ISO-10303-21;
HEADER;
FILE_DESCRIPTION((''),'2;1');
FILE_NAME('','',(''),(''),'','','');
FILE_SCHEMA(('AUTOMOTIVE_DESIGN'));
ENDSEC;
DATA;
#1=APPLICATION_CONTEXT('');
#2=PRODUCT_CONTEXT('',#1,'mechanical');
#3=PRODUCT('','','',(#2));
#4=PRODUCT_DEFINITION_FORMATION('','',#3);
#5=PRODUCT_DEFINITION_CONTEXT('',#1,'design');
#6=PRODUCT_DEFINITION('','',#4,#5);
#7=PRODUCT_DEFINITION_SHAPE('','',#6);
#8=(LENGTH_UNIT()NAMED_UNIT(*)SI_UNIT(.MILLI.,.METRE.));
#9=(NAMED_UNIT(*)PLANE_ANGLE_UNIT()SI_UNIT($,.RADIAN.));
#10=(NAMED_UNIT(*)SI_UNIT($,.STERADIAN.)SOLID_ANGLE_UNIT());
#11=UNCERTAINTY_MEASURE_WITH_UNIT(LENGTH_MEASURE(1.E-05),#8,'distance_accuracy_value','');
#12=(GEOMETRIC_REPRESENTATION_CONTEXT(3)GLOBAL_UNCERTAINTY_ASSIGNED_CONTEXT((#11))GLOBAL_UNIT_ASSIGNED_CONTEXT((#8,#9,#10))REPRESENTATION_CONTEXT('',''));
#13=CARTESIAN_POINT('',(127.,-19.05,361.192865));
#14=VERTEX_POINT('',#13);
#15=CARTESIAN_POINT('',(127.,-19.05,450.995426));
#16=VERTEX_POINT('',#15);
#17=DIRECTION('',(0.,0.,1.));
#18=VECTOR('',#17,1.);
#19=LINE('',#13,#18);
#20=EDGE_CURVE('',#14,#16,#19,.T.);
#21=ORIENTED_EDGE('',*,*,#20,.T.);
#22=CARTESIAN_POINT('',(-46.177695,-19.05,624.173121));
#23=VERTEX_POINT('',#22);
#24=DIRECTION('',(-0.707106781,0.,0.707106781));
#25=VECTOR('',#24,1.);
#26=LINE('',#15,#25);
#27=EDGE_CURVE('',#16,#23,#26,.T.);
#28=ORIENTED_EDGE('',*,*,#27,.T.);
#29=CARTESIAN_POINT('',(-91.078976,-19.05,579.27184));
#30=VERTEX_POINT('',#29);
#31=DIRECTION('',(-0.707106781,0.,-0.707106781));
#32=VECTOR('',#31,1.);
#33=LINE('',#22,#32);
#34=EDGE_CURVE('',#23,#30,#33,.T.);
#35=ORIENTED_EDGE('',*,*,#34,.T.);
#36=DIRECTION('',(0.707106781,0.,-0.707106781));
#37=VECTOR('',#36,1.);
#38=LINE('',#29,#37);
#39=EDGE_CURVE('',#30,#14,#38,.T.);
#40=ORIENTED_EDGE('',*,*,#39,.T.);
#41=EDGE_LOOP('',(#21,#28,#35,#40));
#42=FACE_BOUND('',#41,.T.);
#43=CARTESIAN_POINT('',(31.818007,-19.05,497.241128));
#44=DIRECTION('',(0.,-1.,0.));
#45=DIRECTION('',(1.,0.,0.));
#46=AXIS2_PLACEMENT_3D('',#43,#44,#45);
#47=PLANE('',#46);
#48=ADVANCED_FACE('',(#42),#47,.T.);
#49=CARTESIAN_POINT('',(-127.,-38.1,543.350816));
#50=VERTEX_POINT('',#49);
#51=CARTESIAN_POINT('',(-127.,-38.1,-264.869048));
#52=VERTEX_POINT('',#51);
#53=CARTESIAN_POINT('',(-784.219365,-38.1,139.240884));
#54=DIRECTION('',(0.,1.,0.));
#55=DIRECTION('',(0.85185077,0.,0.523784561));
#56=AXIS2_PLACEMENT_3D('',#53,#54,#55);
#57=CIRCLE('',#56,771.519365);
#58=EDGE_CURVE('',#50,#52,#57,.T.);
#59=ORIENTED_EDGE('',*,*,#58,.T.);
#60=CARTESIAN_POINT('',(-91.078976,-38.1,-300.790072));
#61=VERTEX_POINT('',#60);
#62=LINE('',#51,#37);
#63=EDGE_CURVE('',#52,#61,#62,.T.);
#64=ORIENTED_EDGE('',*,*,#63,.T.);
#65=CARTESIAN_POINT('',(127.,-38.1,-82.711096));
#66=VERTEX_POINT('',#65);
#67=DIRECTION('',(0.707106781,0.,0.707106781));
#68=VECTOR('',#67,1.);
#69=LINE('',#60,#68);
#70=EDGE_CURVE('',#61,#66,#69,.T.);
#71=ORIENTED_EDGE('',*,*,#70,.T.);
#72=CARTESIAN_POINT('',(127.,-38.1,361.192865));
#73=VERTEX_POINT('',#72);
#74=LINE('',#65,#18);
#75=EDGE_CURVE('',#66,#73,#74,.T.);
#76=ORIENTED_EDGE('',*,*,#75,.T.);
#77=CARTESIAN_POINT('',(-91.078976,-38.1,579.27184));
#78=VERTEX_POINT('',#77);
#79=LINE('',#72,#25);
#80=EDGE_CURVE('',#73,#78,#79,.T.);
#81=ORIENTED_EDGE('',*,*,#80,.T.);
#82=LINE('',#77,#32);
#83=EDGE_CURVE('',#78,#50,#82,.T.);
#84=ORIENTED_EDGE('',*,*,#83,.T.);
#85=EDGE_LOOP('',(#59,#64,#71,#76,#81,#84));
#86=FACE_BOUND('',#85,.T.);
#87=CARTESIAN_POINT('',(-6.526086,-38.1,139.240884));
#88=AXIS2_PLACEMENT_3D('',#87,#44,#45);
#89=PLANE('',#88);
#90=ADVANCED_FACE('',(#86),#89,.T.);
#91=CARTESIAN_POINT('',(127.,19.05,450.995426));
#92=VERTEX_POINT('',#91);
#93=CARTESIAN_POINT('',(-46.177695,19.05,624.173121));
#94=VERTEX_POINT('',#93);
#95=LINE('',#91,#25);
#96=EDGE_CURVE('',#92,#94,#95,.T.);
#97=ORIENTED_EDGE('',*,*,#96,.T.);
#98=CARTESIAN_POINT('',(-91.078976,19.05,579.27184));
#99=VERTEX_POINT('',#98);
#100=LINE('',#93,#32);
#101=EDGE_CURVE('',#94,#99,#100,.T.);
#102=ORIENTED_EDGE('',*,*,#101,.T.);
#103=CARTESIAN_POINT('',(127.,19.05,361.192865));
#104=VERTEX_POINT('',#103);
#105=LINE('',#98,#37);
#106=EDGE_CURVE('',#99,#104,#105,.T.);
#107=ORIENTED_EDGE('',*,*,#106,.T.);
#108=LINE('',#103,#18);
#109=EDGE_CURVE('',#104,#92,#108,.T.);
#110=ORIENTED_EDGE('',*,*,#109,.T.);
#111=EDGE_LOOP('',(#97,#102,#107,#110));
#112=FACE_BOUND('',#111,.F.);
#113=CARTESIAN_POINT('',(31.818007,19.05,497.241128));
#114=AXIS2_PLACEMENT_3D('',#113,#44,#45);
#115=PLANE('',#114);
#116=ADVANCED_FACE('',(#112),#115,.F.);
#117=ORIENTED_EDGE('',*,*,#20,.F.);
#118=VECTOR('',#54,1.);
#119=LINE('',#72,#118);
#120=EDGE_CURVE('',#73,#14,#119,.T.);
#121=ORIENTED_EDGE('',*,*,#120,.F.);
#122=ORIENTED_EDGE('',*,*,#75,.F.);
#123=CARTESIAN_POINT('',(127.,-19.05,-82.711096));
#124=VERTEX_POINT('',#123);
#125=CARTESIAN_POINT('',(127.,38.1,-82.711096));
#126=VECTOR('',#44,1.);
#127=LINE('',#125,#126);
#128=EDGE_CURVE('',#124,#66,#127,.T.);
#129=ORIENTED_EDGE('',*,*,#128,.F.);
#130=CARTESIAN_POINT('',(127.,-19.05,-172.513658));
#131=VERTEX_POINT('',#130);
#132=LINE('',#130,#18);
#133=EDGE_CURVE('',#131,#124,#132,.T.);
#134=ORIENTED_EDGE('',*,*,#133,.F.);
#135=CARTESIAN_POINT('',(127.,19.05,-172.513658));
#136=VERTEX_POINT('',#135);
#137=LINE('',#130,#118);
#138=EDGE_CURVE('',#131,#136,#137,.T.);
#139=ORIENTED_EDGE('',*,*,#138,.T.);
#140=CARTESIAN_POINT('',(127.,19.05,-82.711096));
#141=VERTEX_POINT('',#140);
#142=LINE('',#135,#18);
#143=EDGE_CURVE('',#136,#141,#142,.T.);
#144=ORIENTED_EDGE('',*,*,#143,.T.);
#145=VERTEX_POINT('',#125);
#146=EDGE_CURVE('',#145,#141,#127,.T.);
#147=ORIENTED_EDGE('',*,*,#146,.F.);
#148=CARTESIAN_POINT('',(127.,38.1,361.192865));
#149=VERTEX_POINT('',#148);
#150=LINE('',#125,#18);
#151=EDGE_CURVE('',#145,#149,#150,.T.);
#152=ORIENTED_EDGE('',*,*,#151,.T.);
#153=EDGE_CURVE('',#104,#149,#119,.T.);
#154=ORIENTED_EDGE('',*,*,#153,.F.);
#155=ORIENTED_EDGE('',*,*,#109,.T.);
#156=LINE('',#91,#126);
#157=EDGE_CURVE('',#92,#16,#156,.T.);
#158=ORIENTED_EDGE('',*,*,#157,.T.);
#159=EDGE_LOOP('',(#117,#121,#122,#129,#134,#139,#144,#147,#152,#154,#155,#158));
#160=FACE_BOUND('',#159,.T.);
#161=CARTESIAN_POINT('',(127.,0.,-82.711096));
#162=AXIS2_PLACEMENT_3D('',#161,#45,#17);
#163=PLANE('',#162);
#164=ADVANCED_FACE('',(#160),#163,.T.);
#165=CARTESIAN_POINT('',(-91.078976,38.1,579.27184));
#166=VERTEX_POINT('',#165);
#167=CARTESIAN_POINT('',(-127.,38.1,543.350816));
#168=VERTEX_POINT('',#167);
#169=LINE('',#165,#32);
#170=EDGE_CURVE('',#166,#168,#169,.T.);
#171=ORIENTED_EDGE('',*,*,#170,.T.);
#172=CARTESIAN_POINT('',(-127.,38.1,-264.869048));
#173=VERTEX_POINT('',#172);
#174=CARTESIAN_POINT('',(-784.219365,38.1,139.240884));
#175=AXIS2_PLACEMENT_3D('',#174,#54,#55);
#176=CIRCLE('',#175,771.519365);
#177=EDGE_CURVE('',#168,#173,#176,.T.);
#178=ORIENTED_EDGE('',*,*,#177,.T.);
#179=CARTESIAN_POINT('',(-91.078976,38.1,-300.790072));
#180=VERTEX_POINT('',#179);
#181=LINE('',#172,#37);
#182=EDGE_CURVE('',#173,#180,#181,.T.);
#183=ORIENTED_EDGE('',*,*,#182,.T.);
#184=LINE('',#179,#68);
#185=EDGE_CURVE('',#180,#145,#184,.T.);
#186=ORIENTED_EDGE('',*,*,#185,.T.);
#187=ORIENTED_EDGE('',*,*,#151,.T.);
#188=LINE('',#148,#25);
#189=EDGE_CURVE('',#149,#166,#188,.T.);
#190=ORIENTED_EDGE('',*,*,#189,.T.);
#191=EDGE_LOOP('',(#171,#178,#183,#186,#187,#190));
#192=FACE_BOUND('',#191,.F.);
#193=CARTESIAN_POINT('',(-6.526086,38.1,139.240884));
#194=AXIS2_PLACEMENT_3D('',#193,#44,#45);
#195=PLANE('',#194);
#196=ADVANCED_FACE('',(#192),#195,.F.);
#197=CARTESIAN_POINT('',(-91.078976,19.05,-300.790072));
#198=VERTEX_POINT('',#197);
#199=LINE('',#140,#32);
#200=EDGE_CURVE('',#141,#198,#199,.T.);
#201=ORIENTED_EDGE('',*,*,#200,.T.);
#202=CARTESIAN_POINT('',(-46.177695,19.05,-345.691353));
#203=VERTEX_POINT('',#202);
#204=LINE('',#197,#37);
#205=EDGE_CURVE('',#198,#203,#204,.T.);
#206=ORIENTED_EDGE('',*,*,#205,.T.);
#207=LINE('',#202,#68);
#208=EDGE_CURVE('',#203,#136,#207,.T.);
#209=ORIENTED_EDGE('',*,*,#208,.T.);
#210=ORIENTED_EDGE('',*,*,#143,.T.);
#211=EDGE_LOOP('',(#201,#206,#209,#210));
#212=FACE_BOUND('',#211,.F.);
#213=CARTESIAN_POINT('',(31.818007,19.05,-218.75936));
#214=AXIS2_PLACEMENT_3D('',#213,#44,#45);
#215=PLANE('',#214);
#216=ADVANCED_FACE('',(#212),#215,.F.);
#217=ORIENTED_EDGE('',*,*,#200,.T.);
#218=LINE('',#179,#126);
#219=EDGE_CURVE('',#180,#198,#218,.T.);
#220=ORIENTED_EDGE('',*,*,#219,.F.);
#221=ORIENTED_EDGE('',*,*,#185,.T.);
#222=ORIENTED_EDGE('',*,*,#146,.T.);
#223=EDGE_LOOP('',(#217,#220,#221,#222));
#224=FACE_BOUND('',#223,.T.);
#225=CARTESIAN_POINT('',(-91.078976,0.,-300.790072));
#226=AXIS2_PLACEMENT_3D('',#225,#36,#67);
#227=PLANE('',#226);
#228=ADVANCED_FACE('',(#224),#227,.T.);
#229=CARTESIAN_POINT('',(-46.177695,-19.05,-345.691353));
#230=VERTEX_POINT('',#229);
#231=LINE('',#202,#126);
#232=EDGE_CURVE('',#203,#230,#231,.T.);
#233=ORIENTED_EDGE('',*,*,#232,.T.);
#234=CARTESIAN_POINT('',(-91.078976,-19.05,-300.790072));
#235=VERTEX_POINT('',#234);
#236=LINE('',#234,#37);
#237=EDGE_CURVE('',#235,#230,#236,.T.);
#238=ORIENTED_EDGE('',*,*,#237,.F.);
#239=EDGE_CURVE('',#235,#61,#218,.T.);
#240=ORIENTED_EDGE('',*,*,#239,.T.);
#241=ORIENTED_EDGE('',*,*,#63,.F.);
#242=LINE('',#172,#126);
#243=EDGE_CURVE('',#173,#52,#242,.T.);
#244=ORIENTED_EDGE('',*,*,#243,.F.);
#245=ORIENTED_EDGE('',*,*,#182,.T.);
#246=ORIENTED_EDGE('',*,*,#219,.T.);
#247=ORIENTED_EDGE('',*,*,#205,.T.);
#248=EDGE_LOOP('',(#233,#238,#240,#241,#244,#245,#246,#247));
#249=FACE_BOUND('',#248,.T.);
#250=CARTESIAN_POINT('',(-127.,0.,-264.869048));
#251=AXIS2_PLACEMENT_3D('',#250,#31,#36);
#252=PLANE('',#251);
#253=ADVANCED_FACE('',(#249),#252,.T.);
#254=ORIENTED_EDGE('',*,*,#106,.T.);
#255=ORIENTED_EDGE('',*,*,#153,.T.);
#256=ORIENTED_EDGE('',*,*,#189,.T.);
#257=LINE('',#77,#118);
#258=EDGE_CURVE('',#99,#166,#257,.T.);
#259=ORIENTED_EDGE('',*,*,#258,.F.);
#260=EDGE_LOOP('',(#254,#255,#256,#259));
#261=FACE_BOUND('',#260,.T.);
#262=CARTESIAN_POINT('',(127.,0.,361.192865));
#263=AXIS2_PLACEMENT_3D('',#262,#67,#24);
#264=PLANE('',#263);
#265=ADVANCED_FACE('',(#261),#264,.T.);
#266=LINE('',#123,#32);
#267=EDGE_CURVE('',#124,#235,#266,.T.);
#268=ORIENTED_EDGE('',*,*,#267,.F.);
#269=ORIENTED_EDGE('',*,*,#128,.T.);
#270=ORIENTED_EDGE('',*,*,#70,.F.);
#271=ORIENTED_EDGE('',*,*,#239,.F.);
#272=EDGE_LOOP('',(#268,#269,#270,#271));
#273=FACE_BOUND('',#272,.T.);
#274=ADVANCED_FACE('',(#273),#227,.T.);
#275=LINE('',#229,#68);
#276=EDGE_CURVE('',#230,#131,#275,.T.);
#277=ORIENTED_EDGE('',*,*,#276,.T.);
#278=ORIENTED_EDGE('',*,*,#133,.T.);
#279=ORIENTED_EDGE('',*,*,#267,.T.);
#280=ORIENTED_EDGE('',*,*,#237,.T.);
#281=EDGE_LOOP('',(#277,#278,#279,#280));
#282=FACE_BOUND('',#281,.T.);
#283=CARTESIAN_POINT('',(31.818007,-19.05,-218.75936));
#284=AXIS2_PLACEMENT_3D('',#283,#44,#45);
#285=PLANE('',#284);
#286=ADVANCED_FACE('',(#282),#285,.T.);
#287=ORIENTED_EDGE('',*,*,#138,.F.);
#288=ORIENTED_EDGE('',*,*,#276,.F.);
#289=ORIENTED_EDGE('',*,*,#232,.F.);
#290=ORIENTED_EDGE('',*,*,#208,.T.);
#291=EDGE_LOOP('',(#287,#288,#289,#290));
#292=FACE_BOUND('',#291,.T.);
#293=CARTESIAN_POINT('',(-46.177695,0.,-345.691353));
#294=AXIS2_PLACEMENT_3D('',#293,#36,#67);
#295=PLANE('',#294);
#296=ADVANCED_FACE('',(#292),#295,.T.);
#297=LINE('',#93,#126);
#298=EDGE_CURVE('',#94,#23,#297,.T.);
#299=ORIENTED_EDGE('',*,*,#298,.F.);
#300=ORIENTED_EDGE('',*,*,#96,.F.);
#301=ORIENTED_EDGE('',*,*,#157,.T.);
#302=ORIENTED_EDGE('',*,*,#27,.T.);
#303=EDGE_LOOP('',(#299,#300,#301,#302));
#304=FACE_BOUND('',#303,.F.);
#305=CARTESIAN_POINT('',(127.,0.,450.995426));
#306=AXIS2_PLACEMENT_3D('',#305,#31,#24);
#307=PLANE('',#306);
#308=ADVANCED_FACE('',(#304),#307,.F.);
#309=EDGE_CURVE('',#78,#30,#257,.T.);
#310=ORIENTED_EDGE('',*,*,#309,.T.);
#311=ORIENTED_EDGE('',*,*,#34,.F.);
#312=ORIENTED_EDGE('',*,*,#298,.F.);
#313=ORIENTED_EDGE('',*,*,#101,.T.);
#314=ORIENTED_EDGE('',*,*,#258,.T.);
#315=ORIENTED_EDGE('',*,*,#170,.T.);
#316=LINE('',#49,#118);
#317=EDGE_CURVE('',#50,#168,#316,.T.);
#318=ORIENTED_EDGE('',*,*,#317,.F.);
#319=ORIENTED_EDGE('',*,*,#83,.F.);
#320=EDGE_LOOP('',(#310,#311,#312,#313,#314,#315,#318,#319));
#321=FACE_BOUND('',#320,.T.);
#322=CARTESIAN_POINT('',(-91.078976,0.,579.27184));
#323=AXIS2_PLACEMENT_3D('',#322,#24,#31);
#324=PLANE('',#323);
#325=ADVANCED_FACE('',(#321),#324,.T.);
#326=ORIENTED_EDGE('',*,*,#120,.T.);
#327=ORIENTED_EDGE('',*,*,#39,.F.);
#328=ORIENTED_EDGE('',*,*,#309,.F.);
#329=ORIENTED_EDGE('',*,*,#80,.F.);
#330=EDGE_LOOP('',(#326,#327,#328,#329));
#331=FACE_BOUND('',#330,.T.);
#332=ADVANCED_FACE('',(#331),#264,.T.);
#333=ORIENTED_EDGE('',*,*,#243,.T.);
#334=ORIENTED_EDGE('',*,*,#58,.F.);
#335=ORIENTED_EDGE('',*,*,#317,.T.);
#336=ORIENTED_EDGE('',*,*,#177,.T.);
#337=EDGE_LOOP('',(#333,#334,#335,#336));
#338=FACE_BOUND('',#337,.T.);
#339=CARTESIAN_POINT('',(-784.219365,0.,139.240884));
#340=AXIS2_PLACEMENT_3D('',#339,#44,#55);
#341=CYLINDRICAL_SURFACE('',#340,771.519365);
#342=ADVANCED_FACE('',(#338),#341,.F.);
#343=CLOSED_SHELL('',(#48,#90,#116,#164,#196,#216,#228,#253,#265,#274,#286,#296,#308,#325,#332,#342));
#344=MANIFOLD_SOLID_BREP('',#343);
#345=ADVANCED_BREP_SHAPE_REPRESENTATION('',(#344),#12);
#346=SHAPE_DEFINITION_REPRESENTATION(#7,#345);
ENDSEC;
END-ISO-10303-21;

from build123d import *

# Parameters (mm, degrees)
F1_DEPTH = 38.1
F2_DEPTH = 19.05


with BuildPart() as f1:
    # F0 (on Front) → F1 (new body, symmetric)
    with BuildSketch(Plane.XZ):
        with BuildLine():
            Line((127, 289.350815773), (-127, 543.350815773))
            ThreePointArc((-127, 543.350815773), (-12.7, 139.2408841362), (-127, -264.8690475006))
            Line((-127, -264.8690475006), (127, -10.8690475006))
            Line((127, -10.8690475006), (127, 289.350815773))
        make_face()
        Polygon((127, -10.8690475006), (-127, -264.8690475006), (-100.0592316368, -291.8098158638), (127, -64.750584227), align=None)
        Polygon((-100.0592316368, 570.2915841362), (-127, 543.350815773), (127, 289.350815773), (127, 343.2323524994), align=None)
        Polygon((-91.0789755157, 579.2718402573), (-100.0592316368, 570.2915841362), (127, 343.2323524994), (127, 361.1928647416), align=None)
        Polygon((127, -64.750584227), (-100.0592316368, -291.8098158638), (-91.0789755157, -300.7900719849), (127, -82.7110964691), align=None)
    extrude(amount=F1_DEPTH, both=True)

    # F0 (on Front) → F2 (join, symmetric)
    with BuildSketch(Plane.XZ):
        Polygon((127, 361.1928647416), (127, 450.9954259523), (-46.1776949104, 624.1731208626), (-91.0789755157, 579.2718402573), align=None)
        Polygon((127, -82.7110964691), (-91.0789755157, -300.7900719849), (-46.1776949104, -345.6913525902), (127, -172.5136576798), align=None)
    extrude(amount=F2_DEPTH, both=True)


solid = f1.part
